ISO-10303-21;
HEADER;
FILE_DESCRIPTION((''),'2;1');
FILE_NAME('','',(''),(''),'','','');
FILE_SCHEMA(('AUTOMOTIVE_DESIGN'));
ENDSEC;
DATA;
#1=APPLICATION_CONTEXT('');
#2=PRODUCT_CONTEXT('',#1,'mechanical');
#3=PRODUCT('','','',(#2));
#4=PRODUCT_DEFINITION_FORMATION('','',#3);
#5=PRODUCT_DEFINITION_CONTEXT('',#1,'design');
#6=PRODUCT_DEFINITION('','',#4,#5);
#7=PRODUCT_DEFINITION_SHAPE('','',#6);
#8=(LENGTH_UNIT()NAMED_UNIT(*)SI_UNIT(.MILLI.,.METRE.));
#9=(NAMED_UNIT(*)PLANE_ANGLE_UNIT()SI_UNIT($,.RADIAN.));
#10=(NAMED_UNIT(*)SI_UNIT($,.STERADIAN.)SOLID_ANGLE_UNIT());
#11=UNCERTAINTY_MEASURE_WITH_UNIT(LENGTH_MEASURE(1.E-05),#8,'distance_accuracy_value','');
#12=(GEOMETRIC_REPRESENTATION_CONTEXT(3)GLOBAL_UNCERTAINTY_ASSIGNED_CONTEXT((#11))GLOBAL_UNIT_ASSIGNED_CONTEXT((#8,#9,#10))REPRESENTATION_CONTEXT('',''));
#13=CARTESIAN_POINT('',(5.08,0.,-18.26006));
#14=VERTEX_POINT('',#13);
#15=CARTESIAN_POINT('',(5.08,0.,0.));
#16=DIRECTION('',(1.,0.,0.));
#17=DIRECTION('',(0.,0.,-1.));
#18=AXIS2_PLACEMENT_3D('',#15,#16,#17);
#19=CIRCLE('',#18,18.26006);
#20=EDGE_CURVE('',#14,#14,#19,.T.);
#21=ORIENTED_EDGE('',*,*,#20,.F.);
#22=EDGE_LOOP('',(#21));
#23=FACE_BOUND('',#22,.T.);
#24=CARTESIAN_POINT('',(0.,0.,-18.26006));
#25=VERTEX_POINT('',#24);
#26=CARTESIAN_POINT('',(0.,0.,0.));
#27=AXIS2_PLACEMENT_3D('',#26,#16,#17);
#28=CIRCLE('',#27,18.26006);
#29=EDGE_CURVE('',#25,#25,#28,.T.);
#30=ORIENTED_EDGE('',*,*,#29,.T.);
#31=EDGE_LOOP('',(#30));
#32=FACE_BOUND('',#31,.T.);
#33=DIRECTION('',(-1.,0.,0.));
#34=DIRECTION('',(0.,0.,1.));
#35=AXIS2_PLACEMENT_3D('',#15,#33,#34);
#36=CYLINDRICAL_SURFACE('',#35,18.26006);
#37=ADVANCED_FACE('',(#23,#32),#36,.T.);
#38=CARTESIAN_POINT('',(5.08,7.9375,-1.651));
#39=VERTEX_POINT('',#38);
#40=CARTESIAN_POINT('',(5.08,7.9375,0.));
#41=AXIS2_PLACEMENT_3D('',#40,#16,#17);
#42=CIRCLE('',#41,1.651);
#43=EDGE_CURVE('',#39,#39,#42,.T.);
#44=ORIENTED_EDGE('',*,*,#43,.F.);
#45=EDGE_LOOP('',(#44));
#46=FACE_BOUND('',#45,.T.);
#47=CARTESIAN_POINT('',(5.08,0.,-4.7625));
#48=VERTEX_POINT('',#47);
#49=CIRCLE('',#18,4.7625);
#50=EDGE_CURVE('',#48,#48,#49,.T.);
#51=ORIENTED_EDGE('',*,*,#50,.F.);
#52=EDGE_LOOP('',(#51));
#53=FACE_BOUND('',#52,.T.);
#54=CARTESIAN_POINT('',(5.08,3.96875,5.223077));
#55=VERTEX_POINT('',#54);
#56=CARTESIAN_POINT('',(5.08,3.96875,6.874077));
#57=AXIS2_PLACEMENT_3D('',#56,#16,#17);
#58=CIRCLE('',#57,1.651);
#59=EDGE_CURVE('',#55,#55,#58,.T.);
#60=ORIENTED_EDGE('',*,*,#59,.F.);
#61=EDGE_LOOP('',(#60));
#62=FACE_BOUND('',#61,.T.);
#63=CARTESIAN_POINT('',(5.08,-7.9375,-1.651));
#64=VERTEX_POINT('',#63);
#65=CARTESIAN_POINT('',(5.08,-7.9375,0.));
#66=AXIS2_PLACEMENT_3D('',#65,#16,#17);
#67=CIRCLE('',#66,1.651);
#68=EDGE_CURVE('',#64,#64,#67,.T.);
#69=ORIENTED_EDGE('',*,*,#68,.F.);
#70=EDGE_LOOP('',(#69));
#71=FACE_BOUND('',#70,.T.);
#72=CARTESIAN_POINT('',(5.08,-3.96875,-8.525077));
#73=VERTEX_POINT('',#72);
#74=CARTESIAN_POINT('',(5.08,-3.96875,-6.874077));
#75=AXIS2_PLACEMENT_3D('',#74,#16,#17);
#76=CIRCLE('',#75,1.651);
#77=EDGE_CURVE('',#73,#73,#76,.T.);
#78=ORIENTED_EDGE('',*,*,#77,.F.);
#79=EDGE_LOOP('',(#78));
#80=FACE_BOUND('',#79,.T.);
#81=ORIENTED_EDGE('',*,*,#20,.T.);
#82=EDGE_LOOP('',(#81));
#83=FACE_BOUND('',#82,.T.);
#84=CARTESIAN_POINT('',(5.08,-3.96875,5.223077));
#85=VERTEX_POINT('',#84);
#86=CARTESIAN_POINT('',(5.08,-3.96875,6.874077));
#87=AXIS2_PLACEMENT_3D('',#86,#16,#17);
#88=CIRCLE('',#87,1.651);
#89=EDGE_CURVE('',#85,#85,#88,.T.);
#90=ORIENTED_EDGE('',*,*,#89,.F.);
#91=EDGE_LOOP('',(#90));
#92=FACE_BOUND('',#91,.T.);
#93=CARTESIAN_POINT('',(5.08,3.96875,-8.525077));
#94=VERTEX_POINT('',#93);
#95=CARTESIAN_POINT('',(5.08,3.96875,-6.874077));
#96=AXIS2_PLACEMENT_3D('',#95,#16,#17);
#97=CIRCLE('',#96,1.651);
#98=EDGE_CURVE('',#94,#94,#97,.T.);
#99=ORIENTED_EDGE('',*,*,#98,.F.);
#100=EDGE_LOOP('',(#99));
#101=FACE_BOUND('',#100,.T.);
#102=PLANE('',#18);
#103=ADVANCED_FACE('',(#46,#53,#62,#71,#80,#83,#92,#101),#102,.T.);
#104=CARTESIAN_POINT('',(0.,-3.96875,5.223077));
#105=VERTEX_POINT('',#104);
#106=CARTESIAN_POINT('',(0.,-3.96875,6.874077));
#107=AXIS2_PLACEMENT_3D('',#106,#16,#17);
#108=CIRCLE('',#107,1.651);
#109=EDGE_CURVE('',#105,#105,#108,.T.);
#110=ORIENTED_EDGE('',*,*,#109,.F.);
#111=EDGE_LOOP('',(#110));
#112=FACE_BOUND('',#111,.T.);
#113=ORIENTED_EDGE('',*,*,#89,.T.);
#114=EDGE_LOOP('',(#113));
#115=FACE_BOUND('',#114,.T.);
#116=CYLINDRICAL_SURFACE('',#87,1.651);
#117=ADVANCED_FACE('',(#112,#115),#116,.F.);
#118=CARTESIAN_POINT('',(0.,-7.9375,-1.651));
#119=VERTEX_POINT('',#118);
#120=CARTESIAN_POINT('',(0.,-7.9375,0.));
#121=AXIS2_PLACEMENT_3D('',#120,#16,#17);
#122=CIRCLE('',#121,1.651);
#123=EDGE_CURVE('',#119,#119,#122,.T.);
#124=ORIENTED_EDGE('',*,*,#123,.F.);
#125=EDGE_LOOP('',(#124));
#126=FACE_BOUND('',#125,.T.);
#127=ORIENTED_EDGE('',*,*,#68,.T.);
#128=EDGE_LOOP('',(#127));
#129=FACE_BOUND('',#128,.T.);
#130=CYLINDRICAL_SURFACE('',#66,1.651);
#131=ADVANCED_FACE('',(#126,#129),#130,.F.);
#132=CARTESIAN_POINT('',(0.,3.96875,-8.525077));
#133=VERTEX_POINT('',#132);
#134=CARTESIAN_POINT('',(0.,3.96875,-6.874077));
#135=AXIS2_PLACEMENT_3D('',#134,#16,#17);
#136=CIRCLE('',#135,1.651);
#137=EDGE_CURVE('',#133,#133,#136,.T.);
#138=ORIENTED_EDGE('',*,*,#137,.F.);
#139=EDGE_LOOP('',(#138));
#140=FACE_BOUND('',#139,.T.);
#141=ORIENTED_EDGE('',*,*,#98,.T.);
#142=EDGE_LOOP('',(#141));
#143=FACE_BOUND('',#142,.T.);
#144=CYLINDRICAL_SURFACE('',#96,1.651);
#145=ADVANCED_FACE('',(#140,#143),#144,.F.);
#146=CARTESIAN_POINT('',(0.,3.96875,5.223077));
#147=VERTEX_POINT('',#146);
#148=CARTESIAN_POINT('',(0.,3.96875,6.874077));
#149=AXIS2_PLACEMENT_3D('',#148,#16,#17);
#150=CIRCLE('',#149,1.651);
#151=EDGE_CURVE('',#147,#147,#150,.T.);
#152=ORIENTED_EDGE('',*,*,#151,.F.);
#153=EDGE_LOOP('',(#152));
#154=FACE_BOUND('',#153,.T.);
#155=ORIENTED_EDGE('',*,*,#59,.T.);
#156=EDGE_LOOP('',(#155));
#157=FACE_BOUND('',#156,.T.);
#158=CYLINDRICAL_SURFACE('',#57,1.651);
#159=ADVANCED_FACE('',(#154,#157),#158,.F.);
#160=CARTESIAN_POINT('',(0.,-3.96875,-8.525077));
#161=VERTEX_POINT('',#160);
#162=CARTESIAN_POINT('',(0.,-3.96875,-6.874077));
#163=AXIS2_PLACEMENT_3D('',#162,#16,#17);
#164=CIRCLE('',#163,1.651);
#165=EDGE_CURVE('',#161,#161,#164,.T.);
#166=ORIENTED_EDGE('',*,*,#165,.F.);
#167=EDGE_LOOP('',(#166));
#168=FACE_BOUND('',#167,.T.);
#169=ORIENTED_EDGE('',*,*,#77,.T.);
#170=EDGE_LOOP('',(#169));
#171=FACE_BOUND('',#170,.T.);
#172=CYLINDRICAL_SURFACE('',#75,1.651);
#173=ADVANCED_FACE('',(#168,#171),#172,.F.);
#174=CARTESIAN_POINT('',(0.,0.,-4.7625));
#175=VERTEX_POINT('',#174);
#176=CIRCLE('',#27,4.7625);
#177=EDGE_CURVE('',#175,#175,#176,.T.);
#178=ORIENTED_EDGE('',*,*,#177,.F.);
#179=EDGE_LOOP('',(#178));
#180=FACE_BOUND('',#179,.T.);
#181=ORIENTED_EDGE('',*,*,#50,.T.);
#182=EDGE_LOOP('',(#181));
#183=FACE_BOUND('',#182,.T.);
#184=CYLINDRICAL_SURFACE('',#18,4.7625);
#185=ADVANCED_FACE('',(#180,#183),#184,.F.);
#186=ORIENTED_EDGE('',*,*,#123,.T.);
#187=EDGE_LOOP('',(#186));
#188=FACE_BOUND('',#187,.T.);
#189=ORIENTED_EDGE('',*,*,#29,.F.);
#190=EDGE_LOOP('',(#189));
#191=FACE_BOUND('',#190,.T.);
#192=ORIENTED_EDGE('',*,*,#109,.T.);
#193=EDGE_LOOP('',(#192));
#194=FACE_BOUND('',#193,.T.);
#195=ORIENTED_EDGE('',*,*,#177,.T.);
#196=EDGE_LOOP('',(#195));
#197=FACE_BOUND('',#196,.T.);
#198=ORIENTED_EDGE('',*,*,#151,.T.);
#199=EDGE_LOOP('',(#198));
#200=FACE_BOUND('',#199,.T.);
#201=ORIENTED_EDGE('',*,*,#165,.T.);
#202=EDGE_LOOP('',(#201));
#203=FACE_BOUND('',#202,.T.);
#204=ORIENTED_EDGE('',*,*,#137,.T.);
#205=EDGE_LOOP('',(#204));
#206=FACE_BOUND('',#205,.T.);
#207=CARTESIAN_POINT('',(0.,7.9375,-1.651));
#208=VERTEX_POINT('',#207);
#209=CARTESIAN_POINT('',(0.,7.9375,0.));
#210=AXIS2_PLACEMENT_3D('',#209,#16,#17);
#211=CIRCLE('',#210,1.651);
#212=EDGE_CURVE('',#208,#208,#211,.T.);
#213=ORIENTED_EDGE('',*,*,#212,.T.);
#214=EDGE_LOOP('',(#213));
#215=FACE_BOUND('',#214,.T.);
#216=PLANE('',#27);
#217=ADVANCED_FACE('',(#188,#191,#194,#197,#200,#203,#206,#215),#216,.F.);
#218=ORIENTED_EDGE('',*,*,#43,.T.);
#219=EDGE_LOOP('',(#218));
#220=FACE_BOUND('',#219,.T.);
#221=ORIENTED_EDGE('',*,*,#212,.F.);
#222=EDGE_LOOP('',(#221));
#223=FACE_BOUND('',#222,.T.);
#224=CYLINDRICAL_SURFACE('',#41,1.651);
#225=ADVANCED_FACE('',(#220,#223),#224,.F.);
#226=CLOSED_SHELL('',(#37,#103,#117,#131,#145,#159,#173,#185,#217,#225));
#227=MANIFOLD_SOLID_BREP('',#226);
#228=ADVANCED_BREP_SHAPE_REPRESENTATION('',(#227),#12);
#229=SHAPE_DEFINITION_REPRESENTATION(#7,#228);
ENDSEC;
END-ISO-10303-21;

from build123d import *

# Parameters (mm, degrees)
SKETCH1_R                 = 18.26006
BOSS_EXTRUDE1_DEPTH       = 5.08
F_4_CLEARANCE_HOLE1_D     = 3.302
F_4_CLEARANCE_HOLE2_D     = 9.525
F_4_CLEARANCE_HOLE2_DEPTH = 57.15
F_4_CLEARANCE_HOLE2_TIP   = 2.861598698


with BuildPart() as part:
    # Sketch1 → Boss-Extrude1 (new body)
    with BuildSketch(Plane(origin=(0, 0, 0), x_dir=(0, 0, -1), z_dir=(1, 0, 0))):
        Circle(SKETCH1_R)
    extrude(amount=BOSS_EXTRUDE1_DEPTH)

    # #4 Clearance Hole1 (through all)
    with Locations(Plane(origin=(5.08, 0, 0), x_dir=(0, 0, -1), z_dir=(1, 0, 0))):
        with Locations((0, 7.9375), (6.874076643, 3.96875), (6.874076643, -3.96875), (0, -7.9375), (-6.874076643, -3.96875), (-6.874076643, 3.96875), (0, 0)):
            Hole(F_4_CLEARANCE_HOLE1_D / 2)

    # #4 Clearance Hole2
    with Locations(Plane(origin=(5.08, 0, 0), x_dir=(0, 0, -1), z_dir=(1, 0, 0))):
        with Locations((0, 0)):
            Hole(F_4_CLEARANCE_HOLE2_D / 2, depth=F_4_CLEARANCE_HOLE2_DEPTH)
            with Locations((0, 0, -(F_4_CLEARANCE_HOLE2_DEPTH + F_4_CLEARANCE_HOLE2_TIP / 2))):  # 118° drill point
                Cone(0, F_4_CLEARANCE_HOLE2_D / 2, F_4_CLEARANCE_HOLE2_TIP, mode=Mode.SUBTRACT)


solid = part.part
